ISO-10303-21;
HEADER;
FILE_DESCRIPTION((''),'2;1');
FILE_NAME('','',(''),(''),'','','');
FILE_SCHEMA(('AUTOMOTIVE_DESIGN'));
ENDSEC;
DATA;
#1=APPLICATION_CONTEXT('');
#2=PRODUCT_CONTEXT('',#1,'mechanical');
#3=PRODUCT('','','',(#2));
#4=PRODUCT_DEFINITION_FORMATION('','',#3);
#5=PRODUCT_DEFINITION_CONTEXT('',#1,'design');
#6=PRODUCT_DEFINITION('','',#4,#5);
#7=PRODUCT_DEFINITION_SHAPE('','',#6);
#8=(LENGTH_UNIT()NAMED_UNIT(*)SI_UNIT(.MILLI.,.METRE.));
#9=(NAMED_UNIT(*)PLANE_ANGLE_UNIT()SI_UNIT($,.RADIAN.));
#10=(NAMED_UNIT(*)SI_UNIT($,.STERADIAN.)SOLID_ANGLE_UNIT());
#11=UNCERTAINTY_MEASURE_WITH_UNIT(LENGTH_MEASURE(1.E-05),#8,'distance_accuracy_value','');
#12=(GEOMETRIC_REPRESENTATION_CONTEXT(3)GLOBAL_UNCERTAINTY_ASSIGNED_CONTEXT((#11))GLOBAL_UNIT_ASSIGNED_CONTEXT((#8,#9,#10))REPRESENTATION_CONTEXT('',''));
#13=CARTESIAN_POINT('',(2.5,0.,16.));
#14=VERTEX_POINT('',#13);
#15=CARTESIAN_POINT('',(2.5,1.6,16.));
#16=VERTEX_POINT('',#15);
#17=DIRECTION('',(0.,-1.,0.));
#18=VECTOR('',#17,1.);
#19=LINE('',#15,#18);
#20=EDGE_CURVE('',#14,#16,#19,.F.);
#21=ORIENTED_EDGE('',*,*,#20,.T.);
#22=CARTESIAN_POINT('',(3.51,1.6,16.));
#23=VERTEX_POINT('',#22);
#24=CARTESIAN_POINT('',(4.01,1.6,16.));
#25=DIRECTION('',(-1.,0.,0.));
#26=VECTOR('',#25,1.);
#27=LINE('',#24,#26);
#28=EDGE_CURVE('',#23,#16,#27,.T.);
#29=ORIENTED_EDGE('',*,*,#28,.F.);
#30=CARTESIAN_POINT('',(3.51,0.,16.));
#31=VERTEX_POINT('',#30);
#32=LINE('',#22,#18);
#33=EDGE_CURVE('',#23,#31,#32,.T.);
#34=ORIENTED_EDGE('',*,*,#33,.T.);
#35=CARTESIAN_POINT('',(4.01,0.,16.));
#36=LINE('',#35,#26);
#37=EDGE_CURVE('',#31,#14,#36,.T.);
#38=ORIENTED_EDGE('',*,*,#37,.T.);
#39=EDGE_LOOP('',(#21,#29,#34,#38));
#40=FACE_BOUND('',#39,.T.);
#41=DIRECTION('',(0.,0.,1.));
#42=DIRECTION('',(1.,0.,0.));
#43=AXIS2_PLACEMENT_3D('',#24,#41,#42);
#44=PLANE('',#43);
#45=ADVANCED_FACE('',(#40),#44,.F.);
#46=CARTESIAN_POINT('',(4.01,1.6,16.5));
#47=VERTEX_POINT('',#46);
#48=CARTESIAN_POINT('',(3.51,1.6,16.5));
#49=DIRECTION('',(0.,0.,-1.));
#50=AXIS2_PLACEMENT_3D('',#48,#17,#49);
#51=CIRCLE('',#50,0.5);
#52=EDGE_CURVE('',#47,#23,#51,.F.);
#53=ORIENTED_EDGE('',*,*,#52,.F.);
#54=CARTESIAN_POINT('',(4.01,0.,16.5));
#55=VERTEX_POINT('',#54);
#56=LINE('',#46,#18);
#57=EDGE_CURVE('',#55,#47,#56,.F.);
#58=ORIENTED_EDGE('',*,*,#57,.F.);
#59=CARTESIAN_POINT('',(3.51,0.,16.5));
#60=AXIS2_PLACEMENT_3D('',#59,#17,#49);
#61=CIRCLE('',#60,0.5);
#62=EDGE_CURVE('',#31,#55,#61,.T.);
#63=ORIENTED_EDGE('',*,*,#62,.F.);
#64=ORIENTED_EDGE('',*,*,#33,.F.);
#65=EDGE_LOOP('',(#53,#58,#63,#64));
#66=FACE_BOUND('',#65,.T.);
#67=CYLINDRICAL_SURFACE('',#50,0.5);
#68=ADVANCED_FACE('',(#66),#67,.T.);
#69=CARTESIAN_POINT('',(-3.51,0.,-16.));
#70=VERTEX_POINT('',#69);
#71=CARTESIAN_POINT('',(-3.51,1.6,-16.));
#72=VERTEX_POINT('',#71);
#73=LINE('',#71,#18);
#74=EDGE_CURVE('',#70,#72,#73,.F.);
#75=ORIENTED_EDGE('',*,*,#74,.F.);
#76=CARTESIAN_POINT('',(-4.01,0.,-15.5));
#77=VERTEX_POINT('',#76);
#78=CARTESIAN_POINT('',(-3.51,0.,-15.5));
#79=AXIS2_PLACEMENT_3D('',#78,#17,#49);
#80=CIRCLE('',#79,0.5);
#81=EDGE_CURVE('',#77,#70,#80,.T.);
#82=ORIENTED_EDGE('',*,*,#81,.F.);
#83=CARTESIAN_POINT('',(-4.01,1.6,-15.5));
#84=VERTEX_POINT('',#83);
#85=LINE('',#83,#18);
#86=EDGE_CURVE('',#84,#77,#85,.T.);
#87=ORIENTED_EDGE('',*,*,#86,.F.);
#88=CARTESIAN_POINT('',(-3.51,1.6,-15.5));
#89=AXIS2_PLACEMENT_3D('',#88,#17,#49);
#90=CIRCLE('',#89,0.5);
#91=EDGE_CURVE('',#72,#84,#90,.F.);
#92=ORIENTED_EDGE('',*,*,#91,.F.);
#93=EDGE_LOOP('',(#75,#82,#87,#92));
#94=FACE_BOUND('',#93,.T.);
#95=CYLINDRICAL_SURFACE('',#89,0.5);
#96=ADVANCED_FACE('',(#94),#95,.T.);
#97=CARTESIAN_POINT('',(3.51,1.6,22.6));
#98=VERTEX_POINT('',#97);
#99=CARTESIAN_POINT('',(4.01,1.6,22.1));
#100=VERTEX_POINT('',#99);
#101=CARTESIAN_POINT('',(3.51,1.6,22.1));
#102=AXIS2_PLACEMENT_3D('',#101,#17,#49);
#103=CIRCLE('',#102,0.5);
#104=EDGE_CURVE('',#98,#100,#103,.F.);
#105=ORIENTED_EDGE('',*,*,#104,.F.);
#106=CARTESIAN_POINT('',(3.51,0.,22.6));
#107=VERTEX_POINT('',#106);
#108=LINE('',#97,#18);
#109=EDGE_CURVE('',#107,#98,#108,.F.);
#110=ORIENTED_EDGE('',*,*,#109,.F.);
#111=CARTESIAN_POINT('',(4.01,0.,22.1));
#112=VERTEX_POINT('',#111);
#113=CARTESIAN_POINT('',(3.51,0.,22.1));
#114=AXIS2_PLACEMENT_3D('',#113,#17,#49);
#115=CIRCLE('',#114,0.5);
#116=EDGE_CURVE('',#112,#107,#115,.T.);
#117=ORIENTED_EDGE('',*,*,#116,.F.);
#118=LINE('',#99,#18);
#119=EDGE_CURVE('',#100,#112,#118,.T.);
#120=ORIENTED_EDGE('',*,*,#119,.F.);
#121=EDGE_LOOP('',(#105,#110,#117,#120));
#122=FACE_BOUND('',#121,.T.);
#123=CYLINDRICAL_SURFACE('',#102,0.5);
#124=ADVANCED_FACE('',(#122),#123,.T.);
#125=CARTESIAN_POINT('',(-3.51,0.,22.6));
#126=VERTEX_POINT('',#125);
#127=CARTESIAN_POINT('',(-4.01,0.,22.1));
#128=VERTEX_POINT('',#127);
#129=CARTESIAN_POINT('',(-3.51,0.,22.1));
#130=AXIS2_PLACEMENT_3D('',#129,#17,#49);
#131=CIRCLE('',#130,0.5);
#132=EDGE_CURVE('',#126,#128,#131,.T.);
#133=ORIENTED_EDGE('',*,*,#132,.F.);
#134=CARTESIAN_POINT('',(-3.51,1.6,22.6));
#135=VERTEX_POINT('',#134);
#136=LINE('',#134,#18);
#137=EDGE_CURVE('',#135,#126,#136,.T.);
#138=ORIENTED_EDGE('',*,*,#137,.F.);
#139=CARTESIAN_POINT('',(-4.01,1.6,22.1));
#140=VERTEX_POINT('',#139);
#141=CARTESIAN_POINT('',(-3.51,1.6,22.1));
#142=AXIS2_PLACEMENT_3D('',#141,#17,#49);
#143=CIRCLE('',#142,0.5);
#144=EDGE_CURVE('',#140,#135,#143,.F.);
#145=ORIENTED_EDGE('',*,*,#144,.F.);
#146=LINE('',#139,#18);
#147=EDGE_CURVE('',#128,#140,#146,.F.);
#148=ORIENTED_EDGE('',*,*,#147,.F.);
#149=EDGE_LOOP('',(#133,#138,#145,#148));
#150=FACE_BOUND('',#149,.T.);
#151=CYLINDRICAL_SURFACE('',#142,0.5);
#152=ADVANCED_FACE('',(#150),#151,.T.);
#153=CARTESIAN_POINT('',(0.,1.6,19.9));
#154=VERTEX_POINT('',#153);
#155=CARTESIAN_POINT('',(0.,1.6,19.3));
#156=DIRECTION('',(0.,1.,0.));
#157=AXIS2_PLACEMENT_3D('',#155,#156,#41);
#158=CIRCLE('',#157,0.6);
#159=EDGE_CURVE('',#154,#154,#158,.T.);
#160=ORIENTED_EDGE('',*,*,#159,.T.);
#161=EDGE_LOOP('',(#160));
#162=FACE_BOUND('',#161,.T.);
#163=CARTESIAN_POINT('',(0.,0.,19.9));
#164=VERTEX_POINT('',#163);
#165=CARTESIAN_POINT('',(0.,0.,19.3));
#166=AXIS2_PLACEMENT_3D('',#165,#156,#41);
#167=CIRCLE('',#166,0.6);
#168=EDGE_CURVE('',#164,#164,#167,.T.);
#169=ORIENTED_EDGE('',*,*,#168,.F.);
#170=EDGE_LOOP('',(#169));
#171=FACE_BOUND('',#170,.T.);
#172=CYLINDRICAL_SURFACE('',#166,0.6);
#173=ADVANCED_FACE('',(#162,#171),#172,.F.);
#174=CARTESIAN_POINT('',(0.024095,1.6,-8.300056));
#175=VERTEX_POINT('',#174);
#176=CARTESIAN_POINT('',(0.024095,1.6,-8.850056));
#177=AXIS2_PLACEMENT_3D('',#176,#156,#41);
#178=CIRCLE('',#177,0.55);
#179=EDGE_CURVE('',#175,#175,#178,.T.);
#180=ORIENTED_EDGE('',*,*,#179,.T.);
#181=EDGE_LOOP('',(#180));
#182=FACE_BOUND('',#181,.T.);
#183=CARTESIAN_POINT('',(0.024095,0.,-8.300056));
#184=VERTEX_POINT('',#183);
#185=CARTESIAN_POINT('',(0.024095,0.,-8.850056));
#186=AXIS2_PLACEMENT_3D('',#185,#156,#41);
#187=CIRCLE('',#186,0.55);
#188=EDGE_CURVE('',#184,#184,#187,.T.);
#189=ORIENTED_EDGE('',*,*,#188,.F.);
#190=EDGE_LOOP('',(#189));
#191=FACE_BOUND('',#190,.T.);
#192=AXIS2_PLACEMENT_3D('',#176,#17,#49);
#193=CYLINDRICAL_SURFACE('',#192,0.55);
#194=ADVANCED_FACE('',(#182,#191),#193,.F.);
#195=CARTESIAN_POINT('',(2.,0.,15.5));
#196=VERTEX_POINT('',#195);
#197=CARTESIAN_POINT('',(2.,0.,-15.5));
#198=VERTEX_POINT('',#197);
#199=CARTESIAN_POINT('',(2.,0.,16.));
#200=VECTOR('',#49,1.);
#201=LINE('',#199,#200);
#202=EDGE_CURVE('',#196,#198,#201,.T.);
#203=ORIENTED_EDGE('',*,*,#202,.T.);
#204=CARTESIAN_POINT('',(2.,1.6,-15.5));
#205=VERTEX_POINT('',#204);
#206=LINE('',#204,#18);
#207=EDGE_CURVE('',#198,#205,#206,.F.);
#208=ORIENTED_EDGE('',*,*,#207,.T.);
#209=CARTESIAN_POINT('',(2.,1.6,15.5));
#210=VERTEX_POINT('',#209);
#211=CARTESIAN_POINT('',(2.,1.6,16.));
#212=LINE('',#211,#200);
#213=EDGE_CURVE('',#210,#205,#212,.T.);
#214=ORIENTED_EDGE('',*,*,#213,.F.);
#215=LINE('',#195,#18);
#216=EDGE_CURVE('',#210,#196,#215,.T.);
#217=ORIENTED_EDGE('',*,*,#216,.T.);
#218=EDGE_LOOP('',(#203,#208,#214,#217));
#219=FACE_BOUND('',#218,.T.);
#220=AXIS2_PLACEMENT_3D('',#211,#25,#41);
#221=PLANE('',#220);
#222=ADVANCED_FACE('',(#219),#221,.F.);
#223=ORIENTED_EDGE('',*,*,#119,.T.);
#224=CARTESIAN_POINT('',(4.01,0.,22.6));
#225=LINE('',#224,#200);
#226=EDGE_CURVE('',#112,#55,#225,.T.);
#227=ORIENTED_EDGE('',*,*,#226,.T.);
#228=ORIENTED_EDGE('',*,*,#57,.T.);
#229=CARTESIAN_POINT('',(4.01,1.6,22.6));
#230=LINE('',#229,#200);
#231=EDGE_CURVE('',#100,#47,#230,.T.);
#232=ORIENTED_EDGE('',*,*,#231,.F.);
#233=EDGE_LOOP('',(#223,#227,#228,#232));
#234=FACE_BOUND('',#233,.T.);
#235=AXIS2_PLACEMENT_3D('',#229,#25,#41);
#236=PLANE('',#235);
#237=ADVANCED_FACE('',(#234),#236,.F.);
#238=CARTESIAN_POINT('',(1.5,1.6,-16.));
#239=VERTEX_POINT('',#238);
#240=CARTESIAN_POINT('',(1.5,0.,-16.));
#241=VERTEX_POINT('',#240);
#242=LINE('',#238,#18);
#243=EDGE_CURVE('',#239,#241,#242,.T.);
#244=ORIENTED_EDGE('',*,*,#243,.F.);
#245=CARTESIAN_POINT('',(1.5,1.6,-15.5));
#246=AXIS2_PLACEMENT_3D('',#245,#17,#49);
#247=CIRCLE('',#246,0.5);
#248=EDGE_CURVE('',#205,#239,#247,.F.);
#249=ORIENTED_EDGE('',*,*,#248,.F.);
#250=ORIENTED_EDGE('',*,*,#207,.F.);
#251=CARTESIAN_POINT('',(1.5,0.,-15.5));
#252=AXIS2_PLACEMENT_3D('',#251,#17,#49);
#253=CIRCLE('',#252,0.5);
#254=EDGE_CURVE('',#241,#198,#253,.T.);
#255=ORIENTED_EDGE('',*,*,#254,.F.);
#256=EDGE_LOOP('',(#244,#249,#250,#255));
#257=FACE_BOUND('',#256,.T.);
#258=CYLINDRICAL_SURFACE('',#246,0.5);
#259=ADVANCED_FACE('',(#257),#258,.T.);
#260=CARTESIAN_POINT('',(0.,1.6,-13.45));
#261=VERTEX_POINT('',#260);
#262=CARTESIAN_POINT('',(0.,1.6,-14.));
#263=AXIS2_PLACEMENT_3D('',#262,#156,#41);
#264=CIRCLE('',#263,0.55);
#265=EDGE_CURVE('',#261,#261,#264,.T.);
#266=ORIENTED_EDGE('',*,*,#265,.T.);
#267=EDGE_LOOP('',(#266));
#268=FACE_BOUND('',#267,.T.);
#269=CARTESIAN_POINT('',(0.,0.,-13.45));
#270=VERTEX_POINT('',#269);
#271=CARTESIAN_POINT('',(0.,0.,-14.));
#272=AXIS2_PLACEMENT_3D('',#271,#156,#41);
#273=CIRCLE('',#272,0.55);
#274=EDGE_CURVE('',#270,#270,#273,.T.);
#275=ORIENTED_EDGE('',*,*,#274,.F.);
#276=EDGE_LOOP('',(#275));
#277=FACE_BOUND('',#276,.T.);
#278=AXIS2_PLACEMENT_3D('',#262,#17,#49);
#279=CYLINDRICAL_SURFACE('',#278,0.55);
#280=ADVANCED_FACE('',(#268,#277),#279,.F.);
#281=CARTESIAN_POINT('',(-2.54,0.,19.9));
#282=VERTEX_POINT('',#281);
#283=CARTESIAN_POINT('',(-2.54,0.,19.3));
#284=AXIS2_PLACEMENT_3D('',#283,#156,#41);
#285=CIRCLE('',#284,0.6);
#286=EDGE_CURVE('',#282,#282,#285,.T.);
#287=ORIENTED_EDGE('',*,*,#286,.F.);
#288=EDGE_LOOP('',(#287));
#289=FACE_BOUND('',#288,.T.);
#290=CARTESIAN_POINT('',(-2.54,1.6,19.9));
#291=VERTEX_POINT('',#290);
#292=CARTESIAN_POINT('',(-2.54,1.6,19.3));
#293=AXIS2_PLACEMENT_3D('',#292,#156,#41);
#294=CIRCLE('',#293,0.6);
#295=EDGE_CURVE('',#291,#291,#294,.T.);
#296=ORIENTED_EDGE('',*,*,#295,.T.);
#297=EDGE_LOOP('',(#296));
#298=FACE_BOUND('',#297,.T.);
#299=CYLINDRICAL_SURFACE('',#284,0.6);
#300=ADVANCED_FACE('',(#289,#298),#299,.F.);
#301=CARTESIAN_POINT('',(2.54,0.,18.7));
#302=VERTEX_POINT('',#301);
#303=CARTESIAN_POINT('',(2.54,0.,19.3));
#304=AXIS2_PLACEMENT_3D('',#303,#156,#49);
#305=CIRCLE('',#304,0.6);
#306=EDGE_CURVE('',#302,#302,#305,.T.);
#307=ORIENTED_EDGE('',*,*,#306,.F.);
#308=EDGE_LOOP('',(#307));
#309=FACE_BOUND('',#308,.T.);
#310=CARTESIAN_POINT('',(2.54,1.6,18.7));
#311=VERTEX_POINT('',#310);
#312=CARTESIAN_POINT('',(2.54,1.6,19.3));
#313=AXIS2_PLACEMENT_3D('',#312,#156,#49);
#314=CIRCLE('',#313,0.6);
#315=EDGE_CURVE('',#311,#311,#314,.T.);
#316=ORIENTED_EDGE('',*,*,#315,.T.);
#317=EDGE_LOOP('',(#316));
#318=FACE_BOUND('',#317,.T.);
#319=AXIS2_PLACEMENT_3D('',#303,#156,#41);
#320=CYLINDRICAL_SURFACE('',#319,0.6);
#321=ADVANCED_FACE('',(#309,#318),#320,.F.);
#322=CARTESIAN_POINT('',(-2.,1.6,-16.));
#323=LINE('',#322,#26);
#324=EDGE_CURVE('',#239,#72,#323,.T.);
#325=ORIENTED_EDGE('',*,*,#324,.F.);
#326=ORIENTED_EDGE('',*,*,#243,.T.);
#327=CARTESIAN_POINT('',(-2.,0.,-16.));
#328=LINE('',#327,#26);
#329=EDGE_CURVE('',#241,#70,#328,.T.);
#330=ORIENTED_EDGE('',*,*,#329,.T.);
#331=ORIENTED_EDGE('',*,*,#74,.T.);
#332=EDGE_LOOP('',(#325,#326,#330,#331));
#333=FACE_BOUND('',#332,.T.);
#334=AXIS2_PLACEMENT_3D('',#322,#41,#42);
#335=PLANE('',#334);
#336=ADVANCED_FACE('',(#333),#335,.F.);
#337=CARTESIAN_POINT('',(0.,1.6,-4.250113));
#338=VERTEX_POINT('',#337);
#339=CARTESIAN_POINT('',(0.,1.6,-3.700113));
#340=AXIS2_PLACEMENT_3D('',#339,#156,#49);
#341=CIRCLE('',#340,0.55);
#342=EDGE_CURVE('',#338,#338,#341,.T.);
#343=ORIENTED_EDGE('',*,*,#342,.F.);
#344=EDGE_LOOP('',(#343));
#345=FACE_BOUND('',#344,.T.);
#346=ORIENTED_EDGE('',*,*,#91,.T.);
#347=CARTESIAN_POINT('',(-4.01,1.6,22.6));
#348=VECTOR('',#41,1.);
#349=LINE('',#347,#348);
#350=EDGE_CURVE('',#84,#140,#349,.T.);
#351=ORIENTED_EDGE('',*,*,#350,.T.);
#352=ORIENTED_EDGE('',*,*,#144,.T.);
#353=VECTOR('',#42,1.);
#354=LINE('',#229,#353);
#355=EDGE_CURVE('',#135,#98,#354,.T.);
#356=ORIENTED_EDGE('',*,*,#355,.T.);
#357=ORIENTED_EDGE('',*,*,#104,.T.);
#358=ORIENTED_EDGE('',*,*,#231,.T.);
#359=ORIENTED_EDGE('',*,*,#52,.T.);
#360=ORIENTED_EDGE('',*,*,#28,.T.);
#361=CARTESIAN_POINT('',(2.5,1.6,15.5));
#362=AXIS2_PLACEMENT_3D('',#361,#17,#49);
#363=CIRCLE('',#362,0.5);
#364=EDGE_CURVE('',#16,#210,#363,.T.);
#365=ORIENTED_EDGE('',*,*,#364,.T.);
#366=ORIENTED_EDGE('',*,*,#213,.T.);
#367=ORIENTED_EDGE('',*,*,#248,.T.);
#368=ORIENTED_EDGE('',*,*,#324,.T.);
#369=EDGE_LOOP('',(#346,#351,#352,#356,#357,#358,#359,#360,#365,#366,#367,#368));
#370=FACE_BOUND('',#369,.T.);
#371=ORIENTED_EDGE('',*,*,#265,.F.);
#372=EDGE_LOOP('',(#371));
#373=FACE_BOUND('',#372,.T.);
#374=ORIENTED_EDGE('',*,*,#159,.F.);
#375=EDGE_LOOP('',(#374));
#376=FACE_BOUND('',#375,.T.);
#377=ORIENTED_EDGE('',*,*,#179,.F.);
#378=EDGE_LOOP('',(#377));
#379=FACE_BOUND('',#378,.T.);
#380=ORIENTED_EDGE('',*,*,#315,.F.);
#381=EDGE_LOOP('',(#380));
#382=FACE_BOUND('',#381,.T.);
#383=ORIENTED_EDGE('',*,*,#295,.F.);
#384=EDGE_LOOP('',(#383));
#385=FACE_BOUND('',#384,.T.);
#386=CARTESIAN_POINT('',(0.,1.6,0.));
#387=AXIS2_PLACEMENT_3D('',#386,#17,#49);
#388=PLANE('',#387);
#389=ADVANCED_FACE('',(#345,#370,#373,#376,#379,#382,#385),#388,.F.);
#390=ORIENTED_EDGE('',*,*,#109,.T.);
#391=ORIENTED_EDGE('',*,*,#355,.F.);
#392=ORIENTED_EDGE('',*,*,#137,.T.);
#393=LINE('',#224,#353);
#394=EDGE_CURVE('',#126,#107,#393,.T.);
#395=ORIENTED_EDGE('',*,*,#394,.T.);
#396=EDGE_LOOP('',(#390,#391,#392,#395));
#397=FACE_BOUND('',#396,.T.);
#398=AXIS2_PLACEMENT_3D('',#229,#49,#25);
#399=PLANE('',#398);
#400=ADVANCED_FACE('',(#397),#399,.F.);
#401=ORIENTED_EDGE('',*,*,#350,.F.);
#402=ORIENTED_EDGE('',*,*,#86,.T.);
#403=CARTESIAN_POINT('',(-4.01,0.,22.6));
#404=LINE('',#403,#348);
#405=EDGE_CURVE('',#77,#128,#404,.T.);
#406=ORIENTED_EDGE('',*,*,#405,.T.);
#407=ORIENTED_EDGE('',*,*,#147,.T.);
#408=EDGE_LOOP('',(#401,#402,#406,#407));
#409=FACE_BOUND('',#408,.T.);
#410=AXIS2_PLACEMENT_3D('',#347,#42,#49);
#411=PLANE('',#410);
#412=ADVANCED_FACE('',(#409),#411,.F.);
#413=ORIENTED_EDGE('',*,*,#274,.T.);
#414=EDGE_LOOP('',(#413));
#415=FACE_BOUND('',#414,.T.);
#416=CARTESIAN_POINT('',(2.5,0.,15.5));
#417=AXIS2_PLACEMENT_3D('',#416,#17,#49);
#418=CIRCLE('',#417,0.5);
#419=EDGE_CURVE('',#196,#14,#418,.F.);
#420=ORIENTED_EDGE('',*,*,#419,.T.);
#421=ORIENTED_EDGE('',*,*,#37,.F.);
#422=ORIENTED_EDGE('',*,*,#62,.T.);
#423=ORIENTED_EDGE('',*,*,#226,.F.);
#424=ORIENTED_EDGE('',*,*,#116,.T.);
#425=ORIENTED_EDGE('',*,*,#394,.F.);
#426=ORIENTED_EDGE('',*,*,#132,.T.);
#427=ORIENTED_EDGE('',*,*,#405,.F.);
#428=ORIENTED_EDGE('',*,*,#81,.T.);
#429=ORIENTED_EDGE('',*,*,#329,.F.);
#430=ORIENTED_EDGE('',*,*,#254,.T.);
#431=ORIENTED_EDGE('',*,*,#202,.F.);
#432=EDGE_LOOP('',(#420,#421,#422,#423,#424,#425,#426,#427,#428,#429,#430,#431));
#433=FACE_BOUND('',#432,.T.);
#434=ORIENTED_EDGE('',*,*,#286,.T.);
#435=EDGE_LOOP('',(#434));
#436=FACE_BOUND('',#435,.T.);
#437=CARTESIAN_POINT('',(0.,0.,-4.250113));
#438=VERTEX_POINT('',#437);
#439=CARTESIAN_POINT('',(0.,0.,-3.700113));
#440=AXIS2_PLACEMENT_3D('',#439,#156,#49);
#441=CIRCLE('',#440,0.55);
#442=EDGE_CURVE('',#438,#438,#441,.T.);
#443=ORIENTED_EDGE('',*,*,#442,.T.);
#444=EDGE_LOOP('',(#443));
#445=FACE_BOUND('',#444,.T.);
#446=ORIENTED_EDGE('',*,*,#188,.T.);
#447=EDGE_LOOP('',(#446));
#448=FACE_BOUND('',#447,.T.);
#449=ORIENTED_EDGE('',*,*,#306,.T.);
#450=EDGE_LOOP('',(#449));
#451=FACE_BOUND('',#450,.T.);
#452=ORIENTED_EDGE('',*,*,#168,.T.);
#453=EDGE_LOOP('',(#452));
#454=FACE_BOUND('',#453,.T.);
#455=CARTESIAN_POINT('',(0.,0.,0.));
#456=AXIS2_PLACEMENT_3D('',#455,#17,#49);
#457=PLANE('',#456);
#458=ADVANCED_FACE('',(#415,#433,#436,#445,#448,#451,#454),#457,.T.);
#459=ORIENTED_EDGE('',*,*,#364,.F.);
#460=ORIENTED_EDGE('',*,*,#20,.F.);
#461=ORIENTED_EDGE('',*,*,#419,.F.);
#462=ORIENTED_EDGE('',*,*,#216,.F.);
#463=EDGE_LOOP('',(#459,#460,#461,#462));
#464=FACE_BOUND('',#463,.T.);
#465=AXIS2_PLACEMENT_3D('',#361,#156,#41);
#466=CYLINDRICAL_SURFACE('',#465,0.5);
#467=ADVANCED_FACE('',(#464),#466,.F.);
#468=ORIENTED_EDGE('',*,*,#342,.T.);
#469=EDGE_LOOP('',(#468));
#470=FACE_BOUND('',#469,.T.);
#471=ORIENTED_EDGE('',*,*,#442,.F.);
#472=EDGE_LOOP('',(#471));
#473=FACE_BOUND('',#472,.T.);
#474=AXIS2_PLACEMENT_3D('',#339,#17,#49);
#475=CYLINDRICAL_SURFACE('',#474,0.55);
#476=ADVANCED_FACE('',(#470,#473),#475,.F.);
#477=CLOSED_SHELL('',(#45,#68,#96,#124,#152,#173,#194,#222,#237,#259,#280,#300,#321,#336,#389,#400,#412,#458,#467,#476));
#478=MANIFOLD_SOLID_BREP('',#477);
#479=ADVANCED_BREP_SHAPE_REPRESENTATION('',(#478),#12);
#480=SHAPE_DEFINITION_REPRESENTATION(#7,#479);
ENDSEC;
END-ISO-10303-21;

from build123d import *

# Parameters (mm, degrees)
SKETCH_1_W          = 4
SKETCH_1_H          = 32
SKETCH_1_R          = 0.55
EXTRUDE_1_DEPTH     = 1.6
SKETCH_3_W          = 8.02
SKETCH_3_H          = 6.6
EXTRUDE_2_DEPTH     = 1.6
SKETCH_4_R          = 0.6
CUT_EXTRUDE_1_DEPTH = 1.6
SKETCH_6_W          = 2.01
SKETCH_6_H          = 32
EXTRUDE_3_DEPTH     = 1.6
FILLET_1_R          = 0.5


with BuildPart() as part:
    # 草图1 → 凸台-拉伸1 (new body)
    with BuildSketch(Plane(origin=(0, 0, 0), x_dir=(1, 0, 0), z_dir=(0, 1, 0))):
        Rectangle(SKETCH_1_W, SKETCH_1_H)
        with Locations(Location((0.024094886, 8.850056366, 0), (0, 0, 270))):
            Circle(SKETCH_1_R, mode=Mode.SUBTRACT)
        with Locations(Location((0, 14, 0), (0, 0, 270))):
            Circle(SKETCH_1_R, mode=Mode.SUBTRACT)
        with Locations(Location((0, 3.700112731, 0), (0, 0, 90))):
            Circle(SKETCH_1_R, mode=Mode.SUBTRACT)
    extrude(amount=EXTRUDE_1_DEPTH)

    # 草图3 → 凸台-拉伸2 (add)
    with BuildSketch(Plane(origin=(0, 0, 0), x_dir=(1, 0, 0), z_dir=(0, 1, 0))):
        with Locations((0, -19.3)):
            Rectangle(SKETCH_3_W, SKETCH_3_H)
    extrude(amount=EXTRUDE_2_DEPTH)

    # 草图4 → 切除-拉伸1 (cut)
    with BuildSketch(Plane(origin=(0, 1.6, 0), x_dir=(1, 0, 0), z_dir=(0, 1, 0))):
        with Locations(Location((0, -19.3, 0), (0, 0, 270))):
            Circle(SKETCH_4_R)
        with Locations(Location((-2.54, -19.3, 0), (0, 0, 270))):
            Circle(SKETCH_4_R)
        with Locations(Location((2.54, -19.3, 0), (0, 0, 90))):
            Circle(SKETCH_4_R)
    extrude(amount=-CUT_EXTRUDE_1_DEPTH, mode=Mode.SUBTRACT)

    # 草图6 → 凸台-拉伸3 (add)
    with BuildSketch(Plane(origin=(0, 0, 0), x_dir=(1, 0, 0), z_dir=(0, 1, 0))):
        with Locations((-3.005, 0)):
            Rectangle(SKETCH_6_W, SKETCH_6_H)
    extrude(amount=EXTRUDE_3_DEPTH)

    # 圆角1
    fillet_1_edges = [part.edges().sort_by_distance(p)[0] for p in [
        (4.01, 0.8, 22.6),
        (4.01, 0.8, 16),
        (-4.01, 0.8, 22.6),
        (-4.01, 0.8, -16),
        (2, 0.8, 16),
        (2, 0.8, -16),
    ]]
    fillet(fillet_1_edges, radius=FILLET_1_R)


solid = part.part
